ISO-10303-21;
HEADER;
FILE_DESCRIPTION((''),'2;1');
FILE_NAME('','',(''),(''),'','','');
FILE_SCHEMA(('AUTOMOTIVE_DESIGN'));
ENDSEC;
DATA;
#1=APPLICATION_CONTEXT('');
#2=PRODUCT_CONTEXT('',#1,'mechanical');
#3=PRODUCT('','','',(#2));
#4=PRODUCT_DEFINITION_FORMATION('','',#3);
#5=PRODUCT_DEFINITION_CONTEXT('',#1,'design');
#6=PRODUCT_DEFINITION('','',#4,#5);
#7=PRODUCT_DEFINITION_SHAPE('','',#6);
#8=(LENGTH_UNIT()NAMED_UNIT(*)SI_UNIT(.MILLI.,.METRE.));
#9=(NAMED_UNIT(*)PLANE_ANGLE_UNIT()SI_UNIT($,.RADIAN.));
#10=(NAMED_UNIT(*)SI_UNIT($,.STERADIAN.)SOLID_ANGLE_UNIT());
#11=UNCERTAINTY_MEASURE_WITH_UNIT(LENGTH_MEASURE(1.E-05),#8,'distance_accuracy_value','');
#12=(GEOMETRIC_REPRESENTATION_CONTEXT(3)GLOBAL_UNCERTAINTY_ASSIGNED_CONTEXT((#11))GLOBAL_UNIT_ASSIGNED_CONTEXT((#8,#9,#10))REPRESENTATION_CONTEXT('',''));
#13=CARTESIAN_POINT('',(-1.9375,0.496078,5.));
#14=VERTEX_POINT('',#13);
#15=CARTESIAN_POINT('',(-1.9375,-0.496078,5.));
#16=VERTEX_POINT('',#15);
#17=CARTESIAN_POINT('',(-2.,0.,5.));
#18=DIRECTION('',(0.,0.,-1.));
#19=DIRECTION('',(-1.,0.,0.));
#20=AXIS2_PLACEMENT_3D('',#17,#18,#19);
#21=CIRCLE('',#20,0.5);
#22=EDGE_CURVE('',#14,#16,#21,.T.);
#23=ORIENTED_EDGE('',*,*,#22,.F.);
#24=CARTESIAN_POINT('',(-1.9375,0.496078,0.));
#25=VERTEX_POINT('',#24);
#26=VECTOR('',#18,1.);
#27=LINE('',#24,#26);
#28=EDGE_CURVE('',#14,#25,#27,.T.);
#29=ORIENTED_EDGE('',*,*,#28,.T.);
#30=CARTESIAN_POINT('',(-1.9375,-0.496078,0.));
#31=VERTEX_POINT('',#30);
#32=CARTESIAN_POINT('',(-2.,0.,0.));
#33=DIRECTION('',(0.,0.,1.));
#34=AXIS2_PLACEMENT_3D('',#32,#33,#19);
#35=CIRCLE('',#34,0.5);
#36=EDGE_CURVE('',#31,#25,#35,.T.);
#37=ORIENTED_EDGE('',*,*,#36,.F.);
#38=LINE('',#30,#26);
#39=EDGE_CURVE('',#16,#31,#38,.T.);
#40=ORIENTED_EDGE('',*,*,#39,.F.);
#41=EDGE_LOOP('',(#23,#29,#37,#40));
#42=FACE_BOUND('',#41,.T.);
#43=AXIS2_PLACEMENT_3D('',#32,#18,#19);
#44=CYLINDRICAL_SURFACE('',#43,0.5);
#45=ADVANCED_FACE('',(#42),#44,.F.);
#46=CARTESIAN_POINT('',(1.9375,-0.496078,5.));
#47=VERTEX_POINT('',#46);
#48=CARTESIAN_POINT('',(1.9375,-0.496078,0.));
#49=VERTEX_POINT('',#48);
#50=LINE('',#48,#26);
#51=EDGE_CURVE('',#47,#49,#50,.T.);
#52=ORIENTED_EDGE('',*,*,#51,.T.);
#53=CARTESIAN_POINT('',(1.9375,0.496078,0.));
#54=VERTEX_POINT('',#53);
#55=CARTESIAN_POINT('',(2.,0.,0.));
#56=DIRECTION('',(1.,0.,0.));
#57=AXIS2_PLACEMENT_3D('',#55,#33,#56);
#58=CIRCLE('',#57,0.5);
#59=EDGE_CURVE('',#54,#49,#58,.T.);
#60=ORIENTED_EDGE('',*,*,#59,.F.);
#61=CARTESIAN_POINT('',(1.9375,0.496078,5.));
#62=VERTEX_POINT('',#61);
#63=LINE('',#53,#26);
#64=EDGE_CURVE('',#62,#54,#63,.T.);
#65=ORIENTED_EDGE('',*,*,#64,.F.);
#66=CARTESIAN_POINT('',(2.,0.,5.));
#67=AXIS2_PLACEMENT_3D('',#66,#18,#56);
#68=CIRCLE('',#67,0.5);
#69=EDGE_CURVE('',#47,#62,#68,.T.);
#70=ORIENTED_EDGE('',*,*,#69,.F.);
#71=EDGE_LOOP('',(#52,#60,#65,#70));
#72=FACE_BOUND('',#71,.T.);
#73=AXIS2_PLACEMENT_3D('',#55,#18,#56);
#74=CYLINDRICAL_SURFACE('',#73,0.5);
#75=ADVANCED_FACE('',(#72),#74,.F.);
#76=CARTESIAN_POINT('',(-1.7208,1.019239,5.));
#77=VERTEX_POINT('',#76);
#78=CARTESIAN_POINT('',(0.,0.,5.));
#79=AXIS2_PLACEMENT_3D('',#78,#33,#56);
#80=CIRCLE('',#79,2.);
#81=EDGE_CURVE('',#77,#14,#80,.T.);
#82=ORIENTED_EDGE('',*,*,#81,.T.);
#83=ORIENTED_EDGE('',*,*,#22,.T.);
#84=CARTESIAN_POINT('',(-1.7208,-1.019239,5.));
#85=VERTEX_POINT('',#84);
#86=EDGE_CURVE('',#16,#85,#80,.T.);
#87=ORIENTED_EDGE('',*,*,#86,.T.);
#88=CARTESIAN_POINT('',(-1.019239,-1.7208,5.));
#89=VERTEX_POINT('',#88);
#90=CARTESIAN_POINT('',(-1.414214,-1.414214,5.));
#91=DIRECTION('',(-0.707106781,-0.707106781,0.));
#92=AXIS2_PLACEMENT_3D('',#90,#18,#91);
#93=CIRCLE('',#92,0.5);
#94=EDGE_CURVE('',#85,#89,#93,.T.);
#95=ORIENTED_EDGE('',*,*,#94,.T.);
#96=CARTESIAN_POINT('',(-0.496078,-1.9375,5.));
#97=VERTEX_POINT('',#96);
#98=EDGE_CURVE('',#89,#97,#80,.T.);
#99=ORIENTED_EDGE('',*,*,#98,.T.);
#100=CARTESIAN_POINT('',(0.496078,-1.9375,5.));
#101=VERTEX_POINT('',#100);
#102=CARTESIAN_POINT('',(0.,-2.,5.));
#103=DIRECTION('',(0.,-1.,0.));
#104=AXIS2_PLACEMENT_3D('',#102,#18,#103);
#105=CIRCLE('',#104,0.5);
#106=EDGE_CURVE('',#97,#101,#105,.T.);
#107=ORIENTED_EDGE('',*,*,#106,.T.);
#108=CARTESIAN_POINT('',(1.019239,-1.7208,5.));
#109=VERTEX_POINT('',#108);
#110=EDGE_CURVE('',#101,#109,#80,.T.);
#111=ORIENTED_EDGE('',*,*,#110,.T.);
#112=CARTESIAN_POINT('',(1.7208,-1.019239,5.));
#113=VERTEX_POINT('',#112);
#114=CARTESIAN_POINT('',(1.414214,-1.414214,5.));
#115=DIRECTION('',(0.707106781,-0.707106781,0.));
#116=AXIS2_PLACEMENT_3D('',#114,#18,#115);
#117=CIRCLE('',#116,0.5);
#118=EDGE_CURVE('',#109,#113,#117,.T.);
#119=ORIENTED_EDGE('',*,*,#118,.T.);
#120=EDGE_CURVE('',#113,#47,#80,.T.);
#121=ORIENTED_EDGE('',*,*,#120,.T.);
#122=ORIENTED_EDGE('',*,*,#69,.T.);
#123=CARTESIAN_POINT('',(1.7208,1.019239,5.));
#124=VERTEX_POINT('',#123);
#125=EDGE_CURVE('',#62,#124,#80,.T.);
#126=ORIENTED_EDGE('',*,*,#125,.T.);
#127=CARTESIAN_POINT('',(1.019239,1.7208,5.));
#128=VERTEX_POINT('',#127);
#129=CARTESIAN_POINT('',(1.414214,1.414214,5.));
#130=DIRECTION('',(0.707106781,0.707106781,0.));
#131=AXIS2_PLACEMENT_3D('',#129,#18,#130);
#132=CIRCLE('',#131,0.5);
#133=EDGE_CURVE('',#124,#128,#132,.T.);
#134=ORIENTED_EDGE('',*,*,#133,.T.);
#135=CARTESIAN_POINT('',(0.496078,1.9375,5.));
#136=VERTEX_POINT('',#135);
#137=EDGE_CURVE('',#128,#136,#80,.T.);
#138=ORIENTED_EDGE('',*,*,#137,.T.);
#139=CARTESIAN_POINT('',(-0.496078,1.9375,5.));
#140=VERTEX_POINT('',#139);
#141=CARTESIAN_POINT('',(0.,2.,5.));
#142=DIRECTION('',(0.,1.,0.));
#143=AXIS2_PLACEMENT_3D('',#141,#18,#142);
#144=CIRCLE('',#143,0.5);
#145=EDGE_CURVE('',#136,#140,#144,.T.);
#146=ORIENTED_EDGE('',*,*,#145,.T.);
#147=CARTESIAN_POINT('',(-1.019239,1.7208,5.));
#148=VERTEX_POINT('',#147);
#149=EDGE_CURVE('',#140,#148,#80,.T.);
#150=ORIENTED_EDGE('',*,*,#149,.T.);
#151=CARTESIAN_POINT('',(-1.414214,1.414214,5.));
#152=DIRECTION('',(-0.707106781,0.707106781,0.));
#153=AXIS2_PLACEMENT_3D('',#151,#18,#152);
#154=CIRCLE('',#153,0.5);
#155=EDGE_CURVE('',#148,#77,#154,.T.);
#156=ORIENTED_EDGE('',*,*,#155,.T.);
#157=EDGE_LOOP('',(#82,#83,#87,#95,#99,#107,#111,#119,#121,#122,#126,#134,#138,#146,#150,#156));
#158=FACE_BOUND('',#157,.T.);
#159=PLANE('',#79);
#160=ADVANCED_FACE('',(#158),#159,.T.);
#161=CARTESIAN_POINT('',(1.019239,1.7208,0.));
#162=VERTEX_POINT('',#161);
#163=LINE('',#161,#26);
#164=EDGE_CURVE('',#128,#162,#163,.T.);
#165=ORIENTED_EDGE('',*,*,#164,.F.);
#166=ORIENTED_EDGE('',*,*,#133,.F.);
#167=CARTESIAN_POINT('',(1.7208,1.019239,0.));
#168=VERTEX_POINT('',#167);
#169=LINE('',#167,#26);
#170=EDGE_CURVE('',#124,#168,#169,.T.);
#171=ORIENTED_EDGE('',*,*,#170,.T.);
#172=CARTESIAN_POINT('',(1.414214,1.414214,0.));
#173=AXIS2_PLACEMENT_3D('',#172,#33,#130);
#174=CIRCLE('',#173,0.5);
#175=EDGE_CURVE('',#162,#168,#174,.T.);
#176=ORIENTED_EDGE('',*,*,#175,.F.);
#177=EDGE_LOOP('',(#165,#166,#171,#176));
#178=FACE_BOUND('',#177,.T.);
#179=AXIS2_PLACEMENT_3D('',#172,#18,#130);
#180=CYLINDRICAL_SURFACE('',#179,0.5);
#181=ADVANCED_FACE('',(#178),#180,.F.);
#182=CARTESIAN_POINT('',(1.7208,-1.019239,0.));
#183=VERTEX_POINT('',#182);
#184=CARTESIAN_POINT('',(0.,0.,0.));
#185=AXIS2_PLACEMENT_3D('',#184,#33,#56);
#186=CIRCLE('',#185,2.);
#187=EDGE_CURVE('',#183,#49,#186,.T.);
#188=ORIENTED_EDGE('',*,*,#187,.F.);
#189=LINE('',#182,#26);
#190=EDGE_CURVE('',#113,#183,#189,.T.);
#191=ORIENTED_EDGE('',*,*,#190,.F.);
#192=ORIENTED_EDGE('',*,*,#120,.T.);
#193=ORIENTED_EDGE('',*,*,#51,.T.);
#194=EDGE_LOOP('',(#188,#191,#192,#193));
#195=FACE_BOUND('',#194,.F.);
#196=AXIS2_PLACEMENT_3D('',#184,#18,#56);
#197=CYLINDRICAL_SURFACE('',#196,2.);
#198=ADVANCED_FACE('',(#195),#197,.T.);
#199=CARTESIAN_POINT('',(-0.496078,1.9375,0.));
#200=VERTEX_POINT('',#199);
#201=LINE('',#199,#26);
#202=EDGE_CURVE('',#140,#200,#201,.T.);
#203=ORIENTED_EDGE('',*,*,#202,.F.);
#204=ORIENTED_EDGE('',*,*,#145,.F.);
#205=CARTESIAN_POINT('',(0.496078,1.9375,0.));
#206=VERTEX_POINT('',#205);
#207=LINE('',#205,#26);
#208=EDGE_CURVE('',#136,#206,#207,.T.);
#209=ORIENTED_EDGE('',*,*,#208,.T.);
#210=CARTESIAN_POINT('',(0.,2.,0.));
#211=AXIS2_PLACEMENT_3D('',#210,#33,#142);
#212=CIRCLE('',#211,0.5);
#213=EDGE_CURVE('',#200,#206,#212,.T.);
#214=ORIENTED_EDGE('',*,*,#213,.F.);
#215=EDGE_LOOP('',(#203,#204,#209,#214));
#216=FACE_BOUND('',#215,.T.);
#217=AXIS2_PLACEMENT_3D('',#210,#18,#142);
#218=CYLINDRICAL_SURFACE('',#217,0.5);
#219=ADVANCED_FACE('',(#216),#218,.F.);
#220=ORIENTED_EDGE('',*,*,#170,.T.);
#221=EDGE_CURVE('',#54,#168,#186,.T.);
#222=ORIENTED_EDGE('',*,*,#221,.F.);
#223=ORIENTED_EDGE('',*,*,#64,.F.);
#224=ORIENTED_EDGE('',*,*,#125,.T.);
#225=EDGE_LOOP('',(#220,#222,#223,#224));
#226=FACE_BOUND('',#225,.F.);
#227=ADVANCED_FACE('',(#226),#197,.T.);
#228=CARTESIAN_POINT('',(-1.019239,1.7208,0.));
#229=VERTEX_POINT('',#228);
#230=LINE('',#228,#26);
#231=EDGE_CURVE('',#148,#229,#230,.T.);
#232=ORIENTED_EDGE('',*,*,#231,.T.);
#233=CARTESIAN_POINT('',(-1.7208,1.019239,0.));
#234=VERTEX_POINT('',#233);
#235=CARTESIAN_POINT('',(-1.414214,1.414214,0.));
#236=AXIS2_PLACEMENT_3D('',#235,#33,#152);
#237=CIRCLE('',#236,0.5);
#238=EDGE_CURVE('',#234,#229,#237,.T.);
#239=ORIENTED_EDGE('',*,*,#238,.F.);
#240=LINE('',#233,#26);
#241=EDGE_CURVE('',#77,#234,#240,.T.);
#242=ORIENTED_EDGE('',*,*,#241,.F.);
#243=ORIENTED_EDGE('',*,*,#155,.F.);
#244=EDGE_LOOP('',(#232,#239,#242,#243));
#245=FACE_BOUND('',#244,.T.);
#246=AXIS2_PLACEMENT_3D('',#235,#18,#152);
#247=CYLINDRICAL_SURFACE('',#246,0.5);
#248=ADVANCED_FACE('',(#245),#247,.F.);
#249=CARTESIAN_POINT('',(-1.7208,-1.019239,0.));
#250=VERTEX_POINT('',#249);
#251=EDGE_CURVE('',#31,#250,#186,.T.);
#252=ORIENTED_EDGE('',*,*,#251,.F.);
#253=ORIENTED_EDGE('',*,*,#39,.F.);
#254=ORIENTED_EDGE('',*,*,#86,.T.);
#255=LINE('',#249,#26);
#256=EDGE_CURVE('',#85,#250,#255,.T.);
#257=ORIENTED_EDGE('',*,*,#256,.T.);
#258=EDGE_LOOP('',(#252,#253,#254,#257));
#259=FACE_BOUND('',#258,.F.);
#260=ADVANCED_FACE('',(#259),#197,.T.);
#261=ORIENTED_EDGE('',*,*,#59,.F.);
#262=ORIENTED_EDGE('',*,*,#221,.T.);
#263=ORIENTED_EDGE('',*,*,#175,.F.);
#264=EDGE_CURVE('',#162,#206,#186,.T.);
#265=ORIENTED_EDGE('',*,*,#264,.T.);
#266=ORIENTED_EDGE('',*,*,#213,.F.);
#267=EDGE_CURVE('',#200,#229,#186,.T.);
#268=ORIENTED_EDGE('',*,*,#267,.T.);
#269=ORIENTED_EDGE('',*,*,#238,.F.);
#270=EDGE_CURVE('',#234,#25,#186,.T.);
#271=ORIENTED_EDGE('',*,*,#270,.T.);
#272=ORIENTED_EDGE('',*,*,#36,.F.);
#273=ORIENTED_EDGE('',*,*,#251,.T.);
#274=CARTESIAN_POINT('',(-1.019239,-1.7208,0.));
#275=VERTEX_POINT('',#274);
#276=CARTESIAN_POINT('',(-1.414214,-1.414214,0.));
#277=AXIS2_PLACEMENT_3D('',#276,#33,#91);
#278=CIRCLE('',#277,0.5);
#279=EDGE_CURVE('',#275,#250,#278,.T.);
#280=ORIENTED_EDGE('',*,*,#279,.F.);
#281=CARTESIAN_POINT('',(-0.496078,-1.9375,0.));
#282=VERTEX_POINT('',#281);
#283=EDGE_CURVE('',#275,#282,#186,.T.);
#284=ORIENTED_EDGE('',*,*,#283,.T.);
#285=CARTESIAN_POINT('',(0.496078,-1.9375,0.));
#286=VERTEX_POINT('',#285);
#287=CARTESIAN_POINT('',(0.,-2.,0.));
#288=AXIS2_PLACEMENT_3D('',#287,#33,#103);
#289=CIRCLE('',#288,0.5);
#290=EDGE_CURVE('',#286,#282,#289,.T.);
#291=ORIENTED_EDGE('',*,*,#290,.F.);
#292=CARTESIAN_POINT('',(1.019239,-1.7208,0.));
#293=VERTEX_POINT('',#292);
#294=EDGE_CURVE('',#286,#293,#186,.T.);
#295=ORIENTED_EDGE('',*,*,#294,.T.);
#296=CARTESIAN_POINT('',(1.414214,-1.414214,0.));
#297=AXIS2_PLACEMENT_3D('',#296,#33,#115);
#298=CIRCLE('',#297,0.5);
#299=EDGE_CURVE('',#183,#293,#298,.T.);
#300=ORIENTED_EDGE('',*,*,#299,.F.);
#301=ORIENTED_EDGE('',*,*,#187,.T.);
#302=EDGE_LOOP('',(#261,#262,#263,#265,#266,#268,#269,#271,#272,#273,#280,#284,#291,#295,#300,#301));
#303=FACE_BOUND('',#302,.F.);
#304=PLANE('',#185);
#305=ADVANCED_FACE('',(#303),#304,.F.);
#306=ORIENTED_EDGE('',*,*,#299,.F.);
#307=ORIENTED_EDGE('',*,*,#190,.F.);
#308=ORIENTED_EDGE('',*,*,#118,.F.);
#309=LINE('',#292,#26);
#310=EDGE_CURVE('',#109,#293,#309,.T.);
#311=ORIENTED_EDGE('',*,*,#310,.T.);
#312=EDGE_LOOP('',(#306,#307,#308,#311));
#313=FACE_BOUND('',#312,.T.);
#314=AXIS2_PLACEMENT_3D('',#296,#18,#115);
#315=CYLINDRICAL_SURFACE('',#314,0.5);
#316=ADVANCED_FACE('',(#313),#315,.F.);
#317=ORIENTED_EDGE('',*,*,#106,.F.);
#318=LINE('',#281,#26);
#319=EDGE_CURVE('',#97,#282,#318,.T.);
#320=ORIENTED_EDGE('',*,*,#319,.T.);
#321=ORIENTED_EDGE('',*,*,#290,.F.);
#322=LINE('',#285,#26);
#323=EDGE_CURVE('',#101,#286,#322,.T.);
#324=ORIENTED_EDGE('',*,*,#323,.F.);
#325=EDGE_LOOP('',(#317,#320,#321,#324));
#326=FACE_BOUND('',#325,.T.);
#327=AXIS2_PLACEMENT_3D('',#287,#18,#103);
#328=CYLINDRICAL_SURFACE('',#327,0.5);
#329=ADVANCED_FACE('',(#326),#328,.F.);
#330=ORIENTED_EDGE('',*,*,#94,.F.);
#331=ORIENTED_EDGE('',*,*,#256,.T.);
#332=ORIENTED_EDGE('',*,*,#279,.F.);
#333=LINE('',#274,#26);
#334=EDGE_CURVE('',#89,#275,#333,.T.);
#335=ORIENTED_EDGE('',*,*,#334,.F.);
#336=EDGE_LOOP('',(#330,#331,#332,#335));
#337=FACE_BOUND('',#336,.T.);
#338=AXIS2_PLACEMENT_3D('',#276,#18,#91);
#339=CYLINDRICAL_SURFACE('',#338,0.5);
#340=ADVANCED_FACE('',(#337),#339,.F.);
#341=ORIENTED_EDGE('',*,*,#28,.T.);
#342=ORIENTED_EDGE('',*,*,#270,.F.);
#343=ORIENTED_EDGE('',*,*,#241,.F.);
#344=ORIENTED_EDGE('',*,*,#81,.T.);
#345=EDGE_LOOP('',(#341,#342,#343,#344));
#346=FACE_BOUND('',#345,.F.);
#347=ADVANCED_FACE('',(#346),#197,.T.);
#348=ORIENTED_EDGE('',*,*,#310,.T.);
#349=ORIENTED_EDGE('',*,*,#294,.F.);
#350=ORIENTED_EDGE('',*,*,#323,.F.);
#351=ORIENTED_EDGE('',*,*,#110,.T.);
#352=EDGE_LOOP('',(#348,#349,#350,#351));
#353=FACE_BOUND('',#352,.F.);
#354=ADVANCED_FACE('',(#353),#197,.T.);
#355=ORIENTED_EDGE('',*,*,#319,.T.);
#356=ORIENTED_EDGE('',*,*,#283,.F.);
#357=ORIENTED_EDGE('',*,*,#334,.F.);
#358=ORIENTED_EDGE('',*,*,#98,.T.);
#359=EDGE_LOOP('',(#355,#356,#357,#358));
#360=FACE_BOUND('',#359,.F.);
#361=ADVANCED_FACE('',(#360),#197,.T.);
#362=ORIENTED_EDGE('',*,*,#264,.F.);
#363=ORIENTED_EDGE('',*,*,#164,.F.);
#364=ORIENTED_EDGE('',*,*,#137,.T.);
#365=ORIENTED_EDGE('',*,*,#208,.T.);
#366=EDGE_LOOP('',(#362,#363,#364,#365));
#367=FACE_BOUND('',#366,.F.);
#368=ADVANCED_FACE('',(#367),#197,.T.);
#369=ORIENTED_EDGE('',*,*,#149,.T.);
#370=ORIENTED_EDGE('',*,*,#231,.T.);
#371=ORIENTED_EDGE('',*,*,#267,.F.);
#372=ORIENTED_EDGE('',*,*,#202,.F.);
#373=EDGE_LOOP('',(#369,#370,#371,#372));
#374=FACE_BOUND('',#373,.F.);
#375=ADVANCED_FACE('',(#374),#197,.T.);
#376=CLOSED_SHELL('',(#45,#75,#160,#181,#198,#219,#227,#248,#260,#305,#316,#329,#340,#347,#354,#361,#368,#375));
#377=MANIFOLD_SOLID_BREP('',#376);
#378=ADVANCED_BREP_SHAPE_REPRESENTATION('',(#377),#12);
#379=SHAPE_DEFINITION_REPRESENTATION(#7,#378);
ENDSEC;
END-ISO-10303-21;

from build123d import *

# Parameters (mm, degrees)
CYLINDER001_R     = 0.5
CYLINDER001_DEPTH = 10
ARRAY_COUNT       = 8
CYLINDER_R        = 2
CYLINDER_DEPTH    = 5


with BuildPart() as array:
    # Cylinder001 → Cylinder001 (new body)
    with BuildSketch(Plane(origin=(2, 0, 0), x_dir=(1, 0, 0), z_dir=(0, 0, 1))):
        Circle(CYLINDER001_R)
    extrude(amount=CYLINDER001_DEPTH)

    # Array: Array ×8 about axis
    array_axis = Axis((0, 0, 0), (0, 0, 1))


with BuildPart() as array_1:
    add(array.part)
    for i in range(1, ARRAY_COUNT):
        add(array.part.rotate(array_axis, i * 360 / ARRAY_COUNT))


with BuildPart() as cut:
    # Cylinder → Cylinder (new body)
    with BuildSketch(Plane.XY):
        Circle(CYLINDER_R)
    extrude(amount=CYLINDER_DEPTH)

    # Cut: cut Array
    add(array_1.part, mode=Mode.SUBTRACT)


solid = cut.part
